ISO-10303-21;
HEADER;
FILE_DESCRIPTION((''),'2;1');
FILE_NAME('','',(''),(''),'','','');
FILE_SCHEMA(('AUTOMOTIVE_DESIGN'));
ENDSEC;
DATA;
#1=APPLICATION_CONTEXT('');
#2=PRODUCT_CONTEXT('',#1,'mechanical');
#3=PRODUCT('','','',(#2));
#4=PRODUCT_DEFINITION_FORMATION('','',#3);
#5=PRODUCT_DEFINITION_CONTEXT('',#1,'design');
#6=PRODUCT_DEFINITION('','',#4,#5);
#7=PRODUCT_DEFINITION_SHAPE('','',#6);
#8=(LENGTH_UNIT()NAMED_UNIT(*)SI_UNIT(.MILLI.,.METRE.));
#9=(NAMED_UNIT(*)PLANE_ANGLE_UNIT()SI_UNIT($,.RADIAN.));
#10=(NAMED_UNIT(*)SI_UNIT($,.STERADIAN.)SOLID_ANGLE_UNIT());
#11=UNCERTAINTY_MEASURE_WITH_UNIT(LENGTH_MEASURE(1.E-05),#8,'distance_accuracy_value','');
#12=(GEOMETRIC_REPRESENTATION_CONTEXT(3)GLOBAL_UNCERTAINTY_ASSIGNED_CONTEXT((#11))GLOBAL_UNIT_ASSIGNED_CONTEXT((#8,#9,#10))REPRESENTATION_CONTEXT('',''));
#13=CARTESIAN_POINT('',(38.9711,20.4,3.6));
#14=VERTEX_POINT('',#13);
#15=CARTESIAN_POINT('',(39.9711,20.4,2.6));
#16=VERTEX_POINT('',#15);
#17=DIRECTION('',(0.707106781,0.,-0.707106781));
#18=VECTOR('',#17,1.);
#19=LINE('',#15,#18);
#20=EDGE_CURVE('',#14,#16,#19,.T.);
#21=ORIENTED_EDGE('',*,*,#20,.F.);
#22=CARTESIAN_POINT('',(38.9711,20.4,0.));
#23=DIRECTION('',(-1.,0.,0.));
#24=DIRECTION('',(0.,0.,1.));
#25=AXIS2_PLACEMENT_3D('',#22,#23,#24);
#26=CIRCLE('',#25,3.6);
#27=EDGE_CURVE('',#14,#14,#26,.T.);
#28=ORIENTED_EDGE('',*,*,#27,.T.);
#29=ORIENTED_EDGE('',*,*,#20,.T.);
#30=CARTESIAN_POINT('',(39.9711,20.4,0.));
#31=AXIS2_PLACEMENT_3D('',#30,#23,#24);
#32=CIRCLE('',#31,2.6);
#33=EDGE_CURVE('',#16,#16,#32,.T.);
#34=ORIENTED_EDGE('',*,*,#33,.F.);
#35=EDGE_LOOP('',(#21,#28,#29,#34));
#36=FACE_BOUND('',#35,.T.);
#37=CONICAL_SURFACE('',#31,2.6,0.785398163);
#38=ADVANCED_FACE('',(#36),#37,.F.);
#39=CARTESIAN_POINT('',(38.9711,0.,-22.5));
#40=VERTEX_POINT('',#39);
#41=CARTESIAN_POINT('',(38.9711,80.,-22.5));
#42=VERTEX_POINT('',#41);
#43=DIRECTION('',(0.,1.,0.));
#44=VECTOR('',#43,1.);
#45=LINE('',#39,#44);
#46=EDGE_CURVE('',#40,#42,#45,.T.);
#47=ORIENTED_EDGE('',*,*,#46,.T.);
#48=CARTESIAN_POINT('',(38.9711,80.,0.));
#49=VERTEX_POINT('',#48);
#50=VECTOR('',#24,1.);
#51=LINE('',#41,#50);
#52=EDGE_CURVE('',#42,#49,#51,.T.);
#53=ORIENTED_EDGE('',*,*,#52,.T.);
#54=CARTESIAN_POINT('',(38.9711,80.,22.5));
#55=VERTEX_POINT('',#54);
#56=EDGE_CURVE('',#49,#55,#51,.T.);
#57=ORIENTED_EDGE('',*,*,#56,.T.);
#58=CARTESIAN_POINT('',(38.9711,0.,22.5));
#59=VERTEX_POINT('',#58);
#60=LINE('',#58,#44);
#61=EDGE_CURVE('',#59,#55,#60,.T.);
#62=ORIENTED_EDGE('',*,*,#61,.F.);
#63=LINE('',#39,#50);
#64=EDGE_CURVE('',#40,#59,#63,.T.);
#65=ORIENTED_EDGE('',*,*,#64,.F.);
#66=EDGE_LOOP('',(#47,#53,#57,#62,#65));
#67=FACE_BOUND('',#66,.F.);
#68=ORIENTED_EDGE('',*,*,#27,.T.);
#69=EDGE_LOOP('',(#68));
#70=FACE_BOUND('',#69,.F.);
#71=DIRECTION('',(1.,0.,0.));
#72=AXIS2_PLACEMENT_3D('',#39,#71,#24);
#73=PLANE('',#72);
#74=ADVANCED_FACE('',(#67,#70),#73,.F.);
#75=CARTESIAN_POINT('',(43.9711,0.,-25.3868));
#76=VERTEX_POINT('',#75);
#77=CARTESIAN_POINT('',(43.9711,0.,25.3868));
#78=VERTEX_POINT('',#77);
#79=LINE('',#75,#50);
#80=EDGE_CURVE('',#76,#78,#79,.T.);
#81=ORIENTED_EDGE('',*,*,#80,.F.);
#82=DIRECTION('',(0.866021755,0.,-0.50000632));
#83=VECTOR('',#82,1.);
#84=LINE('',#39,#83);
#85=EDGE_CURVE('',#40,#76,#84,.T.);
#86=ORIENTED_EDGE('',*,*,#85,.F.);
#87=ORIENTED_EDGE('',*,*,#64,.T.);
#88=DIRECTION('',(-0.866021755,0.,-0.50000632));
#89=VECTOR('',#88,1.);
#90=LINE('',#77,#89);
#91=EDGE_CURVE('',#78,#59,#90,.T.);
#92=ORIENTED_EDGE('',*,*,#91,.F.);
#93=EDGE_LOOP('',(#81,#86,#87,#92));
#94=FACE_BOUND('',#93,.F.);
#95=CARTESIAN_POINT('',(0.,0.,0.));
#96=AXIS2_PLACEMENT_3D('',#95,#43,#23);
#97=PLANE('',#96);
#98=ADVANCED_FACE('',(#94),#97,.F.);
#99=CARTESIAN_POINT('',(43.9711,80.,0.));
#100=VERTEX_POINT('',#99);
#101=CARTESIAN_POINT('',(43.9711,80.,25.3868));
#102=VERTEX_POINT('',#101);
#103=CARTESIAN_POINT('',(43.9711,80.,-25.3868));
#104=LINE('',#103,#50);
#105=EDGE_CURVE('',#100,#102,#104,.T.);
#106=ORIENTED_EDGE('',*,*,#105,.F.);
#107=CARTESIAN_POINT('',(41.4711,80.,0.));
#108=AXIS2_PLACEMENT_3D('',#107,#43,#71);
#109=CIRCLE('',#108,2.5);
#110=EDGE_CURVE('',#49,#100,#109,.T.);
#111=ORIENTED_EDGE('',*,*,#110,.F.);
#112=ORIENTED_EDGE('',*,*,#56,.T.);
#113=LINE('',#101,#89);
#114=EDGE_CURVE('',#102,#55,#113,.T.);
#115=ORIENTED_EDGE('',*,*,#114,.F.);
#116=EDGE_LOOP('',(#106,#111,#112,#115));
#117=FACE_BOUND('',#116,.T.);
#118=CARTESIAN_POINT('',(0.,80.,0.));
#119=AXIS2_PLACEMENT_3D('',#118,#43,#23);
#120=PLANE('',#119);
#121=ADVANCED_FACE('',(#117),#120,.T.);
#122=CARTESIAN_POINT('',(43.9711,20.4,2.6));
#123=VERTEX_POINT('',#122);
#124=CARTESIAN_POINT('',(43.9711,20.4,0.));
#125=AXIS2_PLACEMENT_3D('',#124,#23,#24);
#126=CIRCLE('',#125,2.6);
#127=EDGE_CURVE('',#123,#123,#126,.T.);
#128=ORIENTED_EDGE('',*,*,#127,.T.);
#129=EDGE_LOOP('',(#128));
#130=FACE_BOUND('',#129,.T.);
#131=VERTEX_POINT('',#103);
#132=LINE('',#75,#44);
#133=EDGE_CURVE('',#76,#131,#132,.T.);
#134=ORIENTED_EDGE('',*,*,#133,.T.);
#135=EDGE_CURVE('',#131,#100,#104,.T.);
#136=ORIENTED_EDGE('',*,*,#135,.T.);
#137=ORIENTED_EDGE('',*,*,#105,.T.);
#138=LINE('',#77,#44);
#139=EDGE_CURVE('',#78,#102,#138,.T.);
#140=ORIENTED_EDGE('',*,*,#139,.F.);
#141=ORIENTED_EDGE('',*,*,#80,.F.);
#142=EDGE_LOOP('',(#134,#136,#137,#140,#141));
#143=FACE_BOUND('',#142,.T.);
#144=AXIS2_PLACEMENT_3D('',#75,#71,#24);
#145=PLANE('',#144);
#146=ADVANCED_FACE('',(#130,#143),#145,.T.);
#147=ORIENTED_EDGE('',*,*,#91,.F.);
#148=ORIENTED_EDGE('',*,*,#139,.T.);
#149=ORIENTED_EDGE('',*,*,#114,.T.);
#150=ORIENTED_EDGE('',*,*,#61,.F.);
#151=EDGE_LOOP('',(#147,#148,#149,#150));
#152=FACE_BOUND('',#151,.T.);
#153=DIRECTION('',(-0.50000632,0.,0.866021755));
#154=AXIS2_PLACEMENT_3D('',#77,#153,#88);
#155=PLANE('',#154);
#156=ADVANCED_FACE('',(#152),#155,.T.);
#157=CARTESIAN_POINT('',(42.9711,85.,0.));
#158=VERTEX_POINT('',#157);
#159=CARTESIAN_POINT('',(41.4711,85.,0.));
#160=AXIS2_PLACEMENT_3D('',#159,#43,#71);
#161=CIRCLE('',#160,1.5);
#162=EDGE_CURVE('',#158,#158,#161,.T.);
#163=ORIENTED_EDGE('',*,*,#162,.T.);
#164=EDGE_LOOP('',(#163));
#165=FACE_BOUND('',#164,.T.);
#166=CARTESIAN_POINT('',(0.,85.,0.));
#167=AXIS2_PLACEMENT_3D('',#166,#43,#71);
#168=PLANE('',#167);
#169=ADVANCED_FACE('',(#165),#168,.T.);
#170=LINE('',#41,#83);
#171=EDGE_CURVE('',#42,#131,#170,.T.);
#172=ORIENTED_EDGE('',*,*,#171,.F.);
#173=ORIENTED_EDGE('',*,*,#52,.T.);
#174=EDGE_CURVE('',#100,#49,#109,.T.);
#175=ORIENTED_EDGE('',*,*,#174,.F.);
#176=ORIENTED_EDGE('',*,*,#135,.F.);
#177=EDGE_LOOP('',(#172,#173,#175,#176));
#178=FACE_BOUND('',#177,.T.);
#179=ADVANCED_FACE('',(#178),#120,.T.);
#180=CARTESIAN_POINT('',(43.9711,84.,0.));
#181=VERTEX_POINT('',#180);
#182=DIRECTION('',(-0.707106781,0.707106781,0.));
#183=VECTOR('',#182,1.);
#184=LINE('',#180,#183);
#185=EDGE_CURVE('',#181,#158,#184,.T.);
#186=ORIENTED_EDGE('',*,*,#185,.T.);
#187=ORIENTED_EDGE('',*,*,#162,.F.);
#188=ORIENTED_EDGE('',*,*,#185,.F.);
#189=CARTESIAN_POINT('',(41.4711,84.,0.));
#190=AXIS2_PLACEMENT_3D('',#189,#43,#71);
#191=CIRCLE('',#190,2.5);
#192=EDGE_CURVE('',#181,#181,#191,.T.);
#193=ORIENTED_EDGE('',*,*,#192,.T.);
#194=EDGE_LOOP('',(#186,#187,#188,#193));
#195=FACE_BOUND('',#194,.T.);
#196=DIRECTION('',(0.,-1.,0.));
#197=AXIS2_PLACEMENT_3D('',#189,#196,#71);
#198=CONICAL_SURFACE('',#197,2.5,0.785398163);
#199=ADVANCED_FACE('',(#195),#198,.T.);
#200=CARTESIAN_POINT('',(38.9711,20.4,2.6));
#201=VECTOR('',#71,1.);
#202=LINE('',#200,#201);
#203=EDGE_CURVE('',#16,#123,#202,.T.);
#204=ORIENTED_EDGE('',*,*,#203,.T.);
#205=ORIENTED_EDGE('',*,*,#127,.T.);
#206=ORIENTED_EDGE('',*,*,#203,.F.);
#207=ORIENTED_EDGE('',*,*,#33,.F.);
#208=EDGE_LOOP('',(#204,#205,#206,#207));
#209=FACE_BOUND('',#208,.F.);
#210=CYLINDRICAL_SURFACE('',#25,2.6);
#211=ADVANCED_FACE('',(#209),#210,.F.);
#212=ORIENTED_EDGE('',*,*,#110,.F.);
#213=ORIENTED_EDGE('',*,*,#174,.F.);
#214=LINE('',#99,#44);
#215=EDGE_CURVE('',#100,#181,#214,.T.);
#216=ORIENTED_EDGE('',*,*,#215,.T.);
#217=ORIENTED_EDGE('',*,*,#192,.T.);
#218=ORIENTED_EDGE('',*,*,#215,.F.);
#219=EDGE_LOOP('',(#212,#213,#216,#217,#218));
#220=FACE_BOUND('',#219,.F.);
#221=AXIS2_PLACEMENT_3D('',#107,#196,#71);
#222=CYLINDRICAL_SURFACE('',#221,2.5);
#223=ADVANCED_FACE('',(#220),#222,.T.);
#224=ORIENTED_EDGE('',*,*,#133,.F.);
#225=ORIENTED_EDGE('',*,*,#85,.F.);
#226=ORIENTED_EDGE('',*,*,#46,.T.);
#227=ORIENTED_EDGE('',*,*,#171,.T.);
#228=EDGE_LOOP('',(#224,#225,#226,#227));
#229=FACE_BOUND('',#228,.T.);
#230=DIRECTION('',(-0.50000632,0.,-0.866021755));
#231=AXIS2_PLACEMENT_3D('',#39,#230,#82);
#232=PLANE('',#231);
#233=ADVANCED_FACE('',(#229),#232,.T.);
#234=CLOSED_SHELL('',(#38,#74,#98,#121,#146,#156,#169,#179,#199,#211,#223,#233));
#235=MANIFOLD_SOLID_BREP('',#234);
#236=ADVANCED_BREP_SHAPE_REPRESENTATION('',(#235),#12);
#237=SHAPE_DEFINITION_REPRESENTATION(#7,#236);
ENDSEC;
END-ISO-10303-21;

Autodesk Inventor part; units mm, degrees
ref_plane "YZ Plane" through (0, 0, 0) normal (1, 0, 0) x (0, 1, 0)
ref_plane "XZ Plane" through (0, 0, 0) normal (0, 1, 0) x (-1, 0, 0)
ref_plane "XY Plane" through (0, 0, 0) normal (0, 0, 1) x (1, 0, 0)
sketch "스케치2" plane through (0, 0, 0) normal (0, 1, 0) x (-1, 0, 0)
  line L0 (0, 45) -> (38.9711, 22.5)
  line L1 (38.9711, 22.5) -> (38.9711, -22.5)
  line L2 (38.9711, -22.5) -> (0, -45)
  line L3 (0, -45) -> (-38.9711, -22.5)
  line L4 (-38.9711, -22.5) -> (-38.9711, 22.5)
  line L5 (-38.9711, 22.5) -> (0, 45)
  line L6 (0, 50.7735) -> (43.9711, 25.3868)
  line L7 (43.9711, 25.3868) -> (43.9711, -25.3868)
  line L8 (43.9711, -25.3868) -> (0, -50.7735)
  line L9 (0, -50.7735) -> (-43.9711, -25.3868)
  line L10 (-43.9711, -25.3868) -> (-43.9711, 25.3868)
  line L11 (-43.9711, 25.3868) -> (0, 50.7735)
  line L12 (-43.9711, 25.3868) -> (-38.9711, 22.5)
  line L13 (-38.9711, -22.5) -> (-43.9711, -25.3868)
  point P0 (0, 0)
  point P1 (0, 0)
  dimension "d0" = 45
  dimension "d1" = 5
extrude "돌출1" add sketch "스케치2" along normal blind 80 contours L4 L13 L10 L12
sketch "스케치3" plane through (38.9711, 0, -22.5) normal (-1, 0, 0) x (0, 0, 1)
  line L0 (0, 0) -> (45, 0) construction
  circle A0 centre (22.5, 20.4) radius 2.6
  point P0 (22.5, 0)
  point P1 (22.5, 0)
  dimension "d4" = 5.2
  dimension "d5" = 20.4
extrude "돌출2" cut sketch "스케치3" against normal through all
sketch "스케치4" plane through (0, 80, 0) normal (0, 1, 0) x (1, 0, 0)
  line L0 (38.9711, 22.5) -> (38.9711, -22.5) construction
  circle A0 centre (41.4711, 0) radius 2.5
  point P0 (0, 0)
  dimension "d8" = 5
extrude "돌출3" add sketch "스케치4" along normal blind 5
chamfer "모따기1" distance 1 angle 45 2 edges at (38.9711, 85, 0) (38.9711, 20.4, -2.6)
sketch "스케치5" plane through (43.9711, 0, 25.3868) normal (1, 0, 0) x (0, 0, -1)
  line L0 (50.7735, 0) -> (50.7735, 80) construction
  line L1 (25.3868, 80) -> (50.7735, 80) construction
  line L2 (0, 0) -> (0, 80) construction
  circle A0 centre (25.3868, 60) radius 2.6
  circle A1 centre (13.3868, 60) radius 2.6
  circle A2 centre (37.3868, 60) radius 2.6
  line L3 (0, 60) -> (50.7735, 60)
  point P0 (25.3868, 0)
  dimension "d11" = 20
  dimension "d12" = 0
  dimension "d13" = 0
  dimension "d14" = 0
  dimension "d15" = 12
  dimension "d16" = 12
  dimension "d17" = 5.2
  dimension "d18" = 5.2
  dimension "d19" = 5.2
properties part number "col_face"
